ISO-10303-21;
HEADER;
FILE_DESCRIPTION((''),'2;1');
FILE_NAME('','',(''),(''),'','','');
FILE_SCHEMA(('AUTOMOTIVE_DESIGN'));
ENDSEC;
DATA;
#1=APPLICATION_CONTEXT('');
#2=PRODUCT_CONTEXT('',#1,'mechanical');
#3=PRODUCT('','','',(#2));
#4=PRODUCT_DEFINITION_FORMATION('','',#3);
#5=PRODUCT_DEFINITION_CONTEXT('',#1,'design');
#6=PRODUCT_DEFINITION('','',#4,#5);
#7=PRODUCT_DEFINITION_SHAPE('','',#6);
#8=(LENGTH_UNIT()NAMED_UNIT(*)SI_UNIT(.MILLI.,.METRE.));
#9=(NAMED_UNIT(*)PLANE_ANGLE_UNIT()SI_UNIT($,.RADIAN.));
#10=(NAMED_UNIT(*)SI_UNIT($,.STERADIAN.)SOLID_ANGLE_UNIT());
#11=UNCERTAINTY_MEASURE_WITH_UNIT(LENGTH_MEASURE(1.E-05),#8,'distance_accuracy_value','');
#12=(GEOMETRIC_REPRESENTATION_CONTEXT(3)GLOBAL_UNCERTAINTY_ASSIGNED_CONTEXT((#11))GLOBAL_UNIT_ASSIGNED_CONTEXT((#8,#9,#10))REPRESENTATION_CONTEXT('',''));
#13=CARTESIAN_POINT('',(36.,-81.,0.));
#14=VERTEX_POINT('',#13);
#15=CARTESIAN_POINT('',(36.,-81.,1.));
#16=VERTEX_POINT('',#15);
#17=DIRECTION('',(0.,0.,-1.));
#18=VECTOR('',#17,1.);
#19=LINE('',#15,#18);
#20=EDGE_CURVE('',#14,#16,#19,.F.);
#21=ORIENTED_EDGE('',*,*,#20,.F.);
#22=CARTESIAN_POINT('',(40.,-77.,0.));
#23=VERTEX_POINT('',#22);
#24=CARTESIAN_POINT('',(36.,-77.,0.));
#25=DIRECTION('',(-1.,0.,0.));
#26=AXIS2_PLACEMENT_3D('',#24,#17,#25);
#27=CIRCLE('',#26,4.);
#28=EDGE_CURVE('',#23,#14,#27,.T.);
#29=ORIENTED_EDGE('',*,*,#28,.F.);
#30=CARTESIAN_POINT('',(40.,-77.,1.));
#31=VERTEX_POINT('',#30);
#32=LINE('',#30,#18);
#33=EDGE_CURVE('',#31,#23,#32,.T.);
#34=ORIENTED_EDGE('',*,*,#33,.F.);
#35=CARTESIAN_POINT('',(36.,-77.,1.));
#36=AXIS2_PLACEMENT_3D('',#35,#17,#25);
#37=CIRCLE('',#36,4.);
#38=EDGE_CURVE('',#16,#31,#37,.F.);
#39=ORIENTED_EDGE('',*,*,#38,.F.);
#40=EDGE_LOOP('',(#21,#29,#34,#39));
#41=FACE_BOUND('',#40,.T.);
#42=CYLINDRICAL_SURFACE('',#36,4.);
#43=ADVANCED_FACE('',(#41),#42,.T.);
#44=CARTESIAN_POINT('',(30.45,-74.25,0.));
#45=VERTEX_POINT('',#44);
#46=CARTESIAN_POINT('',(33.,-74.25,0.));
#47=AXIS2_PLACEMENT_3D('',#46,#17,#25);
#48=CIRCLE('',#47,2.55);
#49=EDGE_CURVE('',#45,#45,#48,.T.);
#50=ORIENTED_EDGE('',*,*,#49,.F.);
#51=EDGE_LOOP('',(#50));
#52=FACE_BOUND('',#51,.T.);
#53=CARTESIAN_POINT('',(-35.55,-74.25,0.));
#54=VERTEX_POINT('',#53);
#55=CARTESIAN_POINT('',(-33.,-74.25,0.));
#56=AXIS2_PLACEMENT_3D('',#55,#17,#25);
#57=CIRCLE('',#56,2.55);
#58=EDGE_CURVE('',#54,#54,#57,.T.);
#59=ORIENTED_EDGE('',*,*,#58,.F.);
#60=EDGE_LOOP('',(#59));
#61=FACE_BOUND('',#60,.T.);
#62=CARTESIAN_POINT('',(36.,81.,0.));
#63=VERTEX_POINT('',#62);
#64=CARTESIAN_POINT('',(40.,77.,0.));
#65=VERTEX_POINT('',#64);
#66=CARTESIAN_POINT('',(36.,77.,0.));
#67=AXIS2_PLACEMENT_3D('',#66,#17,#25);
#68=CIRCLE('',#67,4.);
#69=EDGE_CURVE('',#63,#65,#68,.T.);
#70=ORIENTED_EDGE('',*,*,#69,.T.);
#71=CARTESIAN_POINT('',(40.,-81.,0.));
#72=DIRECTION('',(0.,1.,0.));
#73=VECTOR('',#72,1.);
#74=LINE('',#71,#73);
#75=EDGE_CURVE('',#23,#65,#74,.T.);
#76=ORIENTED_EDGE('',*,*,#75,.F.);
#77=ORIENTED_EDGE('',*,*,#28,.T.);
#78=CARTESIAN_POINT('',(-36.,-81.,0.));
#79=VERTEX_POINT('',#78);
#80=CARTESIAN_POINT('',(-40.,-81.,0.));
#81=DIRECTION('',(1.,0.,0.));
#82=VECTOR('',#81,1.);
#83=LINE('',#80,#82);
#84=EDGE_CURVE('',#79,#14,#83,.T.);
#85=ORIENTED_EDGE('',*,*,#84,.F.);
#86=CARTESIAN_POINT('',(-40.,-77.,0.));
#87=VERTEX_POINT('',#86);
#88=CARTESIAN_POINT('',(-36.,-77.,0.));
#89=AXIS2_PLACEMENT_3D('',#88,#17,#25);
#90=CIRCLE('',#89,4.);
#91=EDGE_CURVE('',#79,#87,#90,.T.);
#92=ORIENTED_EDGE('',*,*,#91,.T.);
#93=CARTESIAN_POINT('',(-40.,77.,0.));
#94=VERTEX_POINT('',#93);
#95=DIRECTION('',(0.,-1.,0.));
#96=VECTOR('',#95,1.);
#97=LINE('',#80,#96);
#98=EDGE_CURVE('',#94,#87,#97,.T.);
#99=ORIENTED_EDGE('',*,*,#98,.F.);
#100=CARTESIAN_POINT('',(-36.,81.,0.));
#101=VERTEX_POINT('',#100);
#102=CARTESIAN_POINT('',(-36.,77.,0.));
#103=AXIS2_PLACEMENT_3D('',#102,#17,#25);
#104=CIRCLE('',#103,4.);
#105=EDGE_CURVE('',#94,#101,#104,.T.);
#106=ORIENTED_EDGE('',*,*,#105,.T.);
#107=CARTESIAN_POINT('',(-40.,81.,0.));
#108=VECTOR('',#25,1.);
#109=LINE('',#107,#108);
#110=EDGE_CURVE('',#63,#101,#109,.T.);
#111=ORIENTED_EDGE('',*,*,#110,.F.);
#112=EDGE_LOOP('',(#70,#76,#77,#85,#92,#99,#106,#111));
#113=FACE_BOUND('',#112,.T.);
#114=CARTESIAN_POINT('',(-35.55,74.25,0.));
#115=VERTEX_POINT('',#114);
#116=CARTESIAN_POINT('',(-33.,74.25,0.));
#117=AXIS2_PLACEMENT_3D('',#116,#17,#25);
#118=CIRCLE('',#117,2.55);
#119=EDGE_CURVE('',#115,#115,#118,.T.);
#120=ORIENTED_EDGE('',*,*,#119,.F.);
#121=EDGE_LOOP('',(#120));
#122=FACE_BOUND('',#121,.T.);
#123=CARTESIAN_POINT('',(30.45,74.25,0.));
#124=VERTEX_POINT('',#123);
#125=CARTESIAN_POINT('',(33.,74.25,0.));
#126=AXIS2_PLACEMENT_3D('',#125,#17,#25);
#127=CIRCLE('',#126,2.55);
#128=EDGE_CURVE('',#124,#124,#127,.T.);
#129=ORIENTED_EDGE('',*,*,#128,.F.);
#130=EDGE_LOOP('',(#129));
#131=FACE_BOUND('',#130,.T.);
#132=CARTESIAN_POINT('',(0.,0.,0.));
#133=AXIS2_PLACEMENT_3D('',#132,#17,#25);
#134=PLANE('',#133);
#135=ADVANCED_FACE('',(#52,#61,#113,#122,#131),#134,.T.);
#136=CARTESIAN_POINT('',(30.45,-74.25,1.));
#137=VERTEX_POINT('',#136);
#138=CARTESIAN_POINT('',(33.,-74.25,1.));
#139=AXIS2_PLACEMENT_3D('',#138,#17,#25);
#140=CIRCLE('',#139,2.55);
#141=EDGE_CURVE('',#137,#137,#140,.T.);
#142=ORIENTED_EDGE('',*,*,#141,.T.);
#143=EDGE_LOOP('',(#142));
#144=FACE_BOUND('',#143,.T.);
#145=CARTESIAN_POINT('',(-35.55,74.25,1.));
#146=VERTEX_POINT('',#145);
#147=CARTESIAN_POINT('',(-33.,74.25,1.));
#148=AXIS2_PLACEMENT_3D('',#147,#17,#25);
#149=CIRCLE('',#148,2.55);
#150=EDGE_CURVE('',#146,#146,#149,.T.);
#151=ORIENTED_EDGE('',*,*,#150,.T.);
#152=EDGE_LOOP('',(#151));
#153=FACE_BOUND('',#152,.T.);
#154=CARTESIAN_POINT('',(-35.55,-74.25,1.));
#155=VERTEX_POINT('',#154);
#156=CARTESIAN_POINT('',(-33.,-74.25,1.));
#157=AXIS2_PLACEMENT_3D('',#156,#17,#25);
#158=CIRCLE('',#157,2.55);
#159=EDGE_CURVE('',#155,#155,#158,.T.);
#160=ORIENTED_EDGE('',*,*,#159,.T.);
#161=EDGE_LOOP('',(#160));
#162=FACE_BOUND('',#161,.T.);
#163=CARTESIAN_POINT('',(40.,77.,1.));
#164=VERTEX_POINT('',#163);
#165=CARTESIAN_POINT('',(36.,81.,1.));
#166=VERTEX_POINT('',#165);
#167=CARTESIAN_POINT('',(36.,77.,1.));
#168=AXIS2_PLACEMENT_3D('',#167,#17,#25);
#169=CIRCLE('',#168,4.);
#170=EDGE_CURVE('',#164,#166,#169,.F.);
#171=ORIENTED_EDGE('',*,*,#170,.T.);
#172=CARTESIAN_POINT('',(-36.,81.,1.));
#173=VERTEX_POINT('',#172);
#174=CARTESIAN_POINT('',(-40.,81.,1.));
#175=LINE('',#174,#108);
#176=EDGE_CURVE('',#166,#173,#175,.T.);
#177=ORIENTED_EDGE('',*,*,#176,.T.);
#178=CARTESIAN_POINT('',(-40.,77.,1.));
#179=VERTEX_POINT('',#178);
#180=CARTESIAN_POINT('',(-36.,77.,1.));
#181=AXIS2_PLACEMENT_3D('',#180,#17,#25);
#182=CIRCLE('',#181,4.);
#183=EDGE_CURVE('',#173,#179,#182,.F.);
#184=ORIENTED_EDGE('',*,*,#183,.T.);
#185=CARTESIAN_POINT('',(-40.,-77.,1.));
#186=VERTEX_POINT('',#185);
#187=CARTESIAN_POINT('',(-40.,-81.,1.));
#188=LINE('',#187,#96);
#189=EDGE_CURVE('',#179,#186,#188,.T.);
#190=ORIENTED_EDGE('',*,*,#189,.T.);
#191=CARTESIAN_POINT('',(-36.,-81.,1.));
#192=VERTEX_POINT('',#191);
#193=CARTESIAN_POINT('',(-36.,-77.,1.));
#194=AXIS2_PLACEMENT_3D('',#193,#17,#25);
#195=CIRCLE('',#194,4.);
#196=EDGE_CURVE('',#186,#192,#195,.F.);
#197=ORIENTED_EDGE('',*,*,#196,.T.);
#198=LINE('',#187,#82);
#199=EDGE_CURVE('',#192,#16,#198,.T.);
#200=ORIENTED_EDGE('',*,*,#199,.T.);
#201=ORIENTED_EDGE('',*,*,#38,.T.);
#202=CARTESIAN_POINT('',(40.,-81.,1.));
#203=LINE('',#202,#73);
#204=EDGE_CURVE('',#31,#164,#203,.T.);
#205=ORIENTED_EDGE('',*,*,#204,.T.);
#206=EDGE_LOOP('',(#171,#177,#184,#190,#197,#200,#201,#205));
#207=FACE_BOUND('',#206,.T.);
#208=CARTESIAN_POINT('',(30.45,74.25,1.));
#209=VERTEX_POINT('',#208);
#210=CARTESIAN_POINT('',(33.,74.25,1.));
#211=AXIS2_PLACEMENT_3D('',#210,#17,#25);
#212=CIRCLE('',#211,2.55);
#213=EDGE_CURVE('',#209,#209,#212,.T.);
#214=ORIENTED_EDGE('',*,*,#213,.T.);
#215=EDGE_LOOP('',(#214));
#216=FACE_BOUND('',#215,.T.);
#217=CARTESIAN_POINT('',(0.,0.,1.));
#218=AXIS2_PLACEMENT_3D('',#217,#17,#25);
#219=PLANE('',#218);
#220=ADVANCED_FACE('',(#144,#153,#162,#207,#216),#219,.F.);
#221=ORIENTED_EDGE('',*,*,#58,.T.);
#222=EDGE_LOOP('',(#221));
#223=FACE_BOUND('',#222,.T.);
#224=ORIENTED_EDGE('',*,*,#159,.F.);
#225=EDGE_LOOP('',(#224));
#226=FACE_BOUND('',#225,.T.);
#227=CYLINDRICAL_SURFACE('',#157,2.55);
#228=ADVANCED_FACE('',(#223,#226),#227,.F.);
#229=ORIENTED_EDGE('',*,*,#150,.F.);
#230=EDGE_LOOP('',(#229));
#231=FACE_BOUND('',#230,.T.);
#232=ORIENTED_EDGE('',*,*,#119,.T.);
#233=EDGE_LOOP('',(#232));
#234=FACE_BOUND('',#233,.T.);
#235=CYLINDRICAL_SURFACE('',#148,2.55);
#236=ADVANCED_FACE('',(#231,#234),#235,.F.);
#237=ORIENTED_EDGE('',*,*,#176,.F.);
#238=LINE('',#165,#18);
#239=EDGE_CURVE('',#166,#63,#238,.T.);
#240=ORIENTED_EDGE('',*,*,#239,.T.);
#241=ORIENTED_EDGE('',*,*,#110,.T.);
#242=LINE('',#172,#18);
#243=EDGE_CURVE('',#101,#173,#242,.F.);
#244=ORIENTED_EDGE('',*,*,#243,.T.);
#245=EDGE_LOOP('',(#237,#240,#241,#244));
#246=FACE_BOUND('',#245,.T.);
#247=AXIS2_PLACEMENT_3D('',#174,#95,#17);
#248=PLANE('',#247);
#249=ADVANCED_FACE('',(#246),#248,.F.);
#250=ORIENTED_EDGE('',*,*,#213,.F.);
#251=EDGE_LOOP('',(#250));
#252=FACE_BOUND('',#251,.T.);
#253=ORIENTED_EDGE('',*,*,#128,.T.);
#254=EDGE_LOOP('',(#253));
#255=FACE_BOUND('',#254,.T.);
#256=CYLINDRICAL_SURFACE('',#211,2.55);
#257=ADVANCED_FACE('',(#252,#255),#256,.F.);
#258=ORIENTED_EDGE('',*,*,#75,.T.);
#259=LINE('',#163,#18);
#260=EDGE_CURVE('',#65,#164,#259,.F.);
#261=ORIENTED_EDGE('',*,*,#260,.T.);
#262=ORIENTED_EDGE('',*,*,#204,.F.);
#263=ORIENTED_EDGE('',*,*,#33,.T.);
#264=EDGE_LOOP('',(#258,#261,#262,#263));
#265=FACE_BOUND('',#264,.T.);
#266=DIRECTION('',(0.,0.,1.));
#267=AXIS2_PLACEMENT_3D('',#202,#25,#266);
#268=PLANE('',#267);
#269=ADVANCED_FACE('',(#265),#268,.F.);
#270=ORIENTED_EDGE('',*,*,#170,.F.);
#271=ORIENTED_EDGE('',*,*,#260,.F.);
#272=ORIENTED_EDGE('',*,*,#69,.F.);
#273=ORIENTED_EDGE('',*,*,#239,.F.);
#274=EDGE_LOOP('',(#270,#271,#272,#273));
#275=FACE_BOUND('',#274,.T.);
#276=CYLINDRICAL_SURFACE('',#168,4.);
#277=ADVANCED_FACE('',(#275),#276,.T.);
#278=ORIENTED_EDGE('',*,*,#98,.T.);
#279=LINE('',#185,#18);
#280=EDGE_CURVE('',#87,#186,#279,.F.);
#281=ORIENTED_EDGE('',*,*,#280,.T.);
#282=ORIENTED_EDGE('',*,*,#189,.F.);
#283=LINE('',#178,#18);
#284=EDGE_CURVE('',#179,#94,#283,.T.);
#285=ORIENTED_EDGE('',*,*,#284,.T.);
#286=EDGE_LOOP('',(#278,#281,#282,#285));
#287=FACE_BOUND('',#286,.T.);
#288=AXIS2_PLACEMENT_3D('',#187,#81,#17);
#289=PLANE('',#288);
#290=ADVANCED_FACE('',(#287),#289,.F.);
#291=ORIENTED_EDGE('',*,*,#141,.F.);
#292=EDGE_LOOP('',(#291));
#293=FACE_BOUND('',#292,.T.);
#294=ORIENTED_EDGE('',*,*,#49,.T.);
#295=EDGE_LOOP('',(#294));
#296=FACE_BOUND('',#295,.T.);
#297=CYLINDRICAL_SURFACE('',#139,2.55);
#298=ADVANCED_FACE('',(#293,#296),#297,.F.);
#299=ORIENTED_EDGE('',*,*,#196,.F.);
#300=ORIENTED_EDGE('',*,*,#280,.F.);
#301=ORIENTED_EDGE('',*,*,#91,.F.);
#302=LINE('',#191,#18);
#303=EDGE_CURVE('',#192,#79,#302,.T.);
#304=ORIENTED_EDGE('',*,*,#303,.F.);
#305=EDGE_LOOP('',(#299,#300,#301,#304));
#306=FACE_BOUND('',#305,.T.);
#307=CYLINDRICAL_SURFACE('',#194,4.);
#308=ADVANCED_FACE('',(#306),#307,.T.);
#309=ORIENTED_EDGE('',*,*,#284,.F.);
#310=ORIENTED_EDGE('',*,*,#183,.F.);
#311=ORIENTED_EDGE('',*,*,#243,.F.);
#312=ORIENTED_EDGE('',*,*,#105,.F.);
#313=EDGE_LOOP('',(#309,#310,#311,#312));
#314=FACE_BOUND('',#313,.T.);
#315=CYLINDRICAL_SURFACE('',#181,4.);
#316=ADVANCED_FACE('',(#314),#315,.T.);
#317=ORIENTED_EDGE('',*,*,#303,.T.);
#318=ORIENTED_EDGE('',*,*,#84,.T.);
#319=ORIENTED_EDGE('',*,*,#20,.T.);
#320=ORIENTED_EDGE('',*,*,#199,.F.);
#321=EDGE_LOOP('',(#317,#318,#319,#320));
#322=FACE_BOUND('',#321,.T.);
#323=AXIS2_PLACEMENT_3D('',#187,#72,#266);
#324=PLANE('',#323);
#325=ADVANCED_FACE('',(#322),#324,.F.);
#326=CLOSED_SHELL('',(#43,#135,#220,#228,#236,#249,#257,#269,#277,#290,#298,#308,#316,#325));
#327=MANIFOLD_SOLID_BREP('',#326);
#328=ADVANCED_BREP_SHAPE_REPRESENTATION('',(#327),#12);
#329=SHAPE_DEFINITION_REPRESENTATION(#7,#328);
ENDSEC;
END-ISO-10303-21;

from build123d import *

# Parameters (mm, degrees)
SKETCH1_W           = 80
SKETCH1_H           = 162
BOSS_EXTRUDE1_DEPTH = 1
FILLET1_R           = 4
SKETCH2_R           = 2.55
CUT_EXTRUDE1_DEPTH  = 91.343787833


with BuildPart() as part:
    # Sketch1 → Boss-Extrude1 (new body)
    with BuildSketch(Plane.XY):
        Rectangle(SKETCH1_W, SKETCH1_H)
    extrude(amount=BOSS_EXTRUDE1_DEPTH)

    # Fillet1
    fillet1_edges = [part.edges().sort_by_distance(p)[0] for p in [
        (40, -81, 0.5),
        (-40, -81, 0.5),
        (-40, 81, 0.5),
        (40, 81, 0.5),
    ]]
    fillet(fillet1_edges, radius=FILLET1_R)

    # Sketch2 → Cut-Extrude1 (cut, through all)
    with BuildSketch(Plane(origin=(0, 0, 0), x_dir=(-1, 0, 0), z_dir=(0, 0, -1))):
        with Locations((-33, -74.25)):
            Circle(SKETCH2_R)
        with Locations((-33, 74.25)):
            Circle(SKETCH2_R)
        with Locations((33, 74.25)):
            Circle(SKETCH2_R)
        with Locations((33, -74.25)):
            Circle(SKETCH2_R)
    extrude(amount=-CUT_EXTRUDE1_DEPTH, mode=Mode.SUBTRACT)


solid = part.part
